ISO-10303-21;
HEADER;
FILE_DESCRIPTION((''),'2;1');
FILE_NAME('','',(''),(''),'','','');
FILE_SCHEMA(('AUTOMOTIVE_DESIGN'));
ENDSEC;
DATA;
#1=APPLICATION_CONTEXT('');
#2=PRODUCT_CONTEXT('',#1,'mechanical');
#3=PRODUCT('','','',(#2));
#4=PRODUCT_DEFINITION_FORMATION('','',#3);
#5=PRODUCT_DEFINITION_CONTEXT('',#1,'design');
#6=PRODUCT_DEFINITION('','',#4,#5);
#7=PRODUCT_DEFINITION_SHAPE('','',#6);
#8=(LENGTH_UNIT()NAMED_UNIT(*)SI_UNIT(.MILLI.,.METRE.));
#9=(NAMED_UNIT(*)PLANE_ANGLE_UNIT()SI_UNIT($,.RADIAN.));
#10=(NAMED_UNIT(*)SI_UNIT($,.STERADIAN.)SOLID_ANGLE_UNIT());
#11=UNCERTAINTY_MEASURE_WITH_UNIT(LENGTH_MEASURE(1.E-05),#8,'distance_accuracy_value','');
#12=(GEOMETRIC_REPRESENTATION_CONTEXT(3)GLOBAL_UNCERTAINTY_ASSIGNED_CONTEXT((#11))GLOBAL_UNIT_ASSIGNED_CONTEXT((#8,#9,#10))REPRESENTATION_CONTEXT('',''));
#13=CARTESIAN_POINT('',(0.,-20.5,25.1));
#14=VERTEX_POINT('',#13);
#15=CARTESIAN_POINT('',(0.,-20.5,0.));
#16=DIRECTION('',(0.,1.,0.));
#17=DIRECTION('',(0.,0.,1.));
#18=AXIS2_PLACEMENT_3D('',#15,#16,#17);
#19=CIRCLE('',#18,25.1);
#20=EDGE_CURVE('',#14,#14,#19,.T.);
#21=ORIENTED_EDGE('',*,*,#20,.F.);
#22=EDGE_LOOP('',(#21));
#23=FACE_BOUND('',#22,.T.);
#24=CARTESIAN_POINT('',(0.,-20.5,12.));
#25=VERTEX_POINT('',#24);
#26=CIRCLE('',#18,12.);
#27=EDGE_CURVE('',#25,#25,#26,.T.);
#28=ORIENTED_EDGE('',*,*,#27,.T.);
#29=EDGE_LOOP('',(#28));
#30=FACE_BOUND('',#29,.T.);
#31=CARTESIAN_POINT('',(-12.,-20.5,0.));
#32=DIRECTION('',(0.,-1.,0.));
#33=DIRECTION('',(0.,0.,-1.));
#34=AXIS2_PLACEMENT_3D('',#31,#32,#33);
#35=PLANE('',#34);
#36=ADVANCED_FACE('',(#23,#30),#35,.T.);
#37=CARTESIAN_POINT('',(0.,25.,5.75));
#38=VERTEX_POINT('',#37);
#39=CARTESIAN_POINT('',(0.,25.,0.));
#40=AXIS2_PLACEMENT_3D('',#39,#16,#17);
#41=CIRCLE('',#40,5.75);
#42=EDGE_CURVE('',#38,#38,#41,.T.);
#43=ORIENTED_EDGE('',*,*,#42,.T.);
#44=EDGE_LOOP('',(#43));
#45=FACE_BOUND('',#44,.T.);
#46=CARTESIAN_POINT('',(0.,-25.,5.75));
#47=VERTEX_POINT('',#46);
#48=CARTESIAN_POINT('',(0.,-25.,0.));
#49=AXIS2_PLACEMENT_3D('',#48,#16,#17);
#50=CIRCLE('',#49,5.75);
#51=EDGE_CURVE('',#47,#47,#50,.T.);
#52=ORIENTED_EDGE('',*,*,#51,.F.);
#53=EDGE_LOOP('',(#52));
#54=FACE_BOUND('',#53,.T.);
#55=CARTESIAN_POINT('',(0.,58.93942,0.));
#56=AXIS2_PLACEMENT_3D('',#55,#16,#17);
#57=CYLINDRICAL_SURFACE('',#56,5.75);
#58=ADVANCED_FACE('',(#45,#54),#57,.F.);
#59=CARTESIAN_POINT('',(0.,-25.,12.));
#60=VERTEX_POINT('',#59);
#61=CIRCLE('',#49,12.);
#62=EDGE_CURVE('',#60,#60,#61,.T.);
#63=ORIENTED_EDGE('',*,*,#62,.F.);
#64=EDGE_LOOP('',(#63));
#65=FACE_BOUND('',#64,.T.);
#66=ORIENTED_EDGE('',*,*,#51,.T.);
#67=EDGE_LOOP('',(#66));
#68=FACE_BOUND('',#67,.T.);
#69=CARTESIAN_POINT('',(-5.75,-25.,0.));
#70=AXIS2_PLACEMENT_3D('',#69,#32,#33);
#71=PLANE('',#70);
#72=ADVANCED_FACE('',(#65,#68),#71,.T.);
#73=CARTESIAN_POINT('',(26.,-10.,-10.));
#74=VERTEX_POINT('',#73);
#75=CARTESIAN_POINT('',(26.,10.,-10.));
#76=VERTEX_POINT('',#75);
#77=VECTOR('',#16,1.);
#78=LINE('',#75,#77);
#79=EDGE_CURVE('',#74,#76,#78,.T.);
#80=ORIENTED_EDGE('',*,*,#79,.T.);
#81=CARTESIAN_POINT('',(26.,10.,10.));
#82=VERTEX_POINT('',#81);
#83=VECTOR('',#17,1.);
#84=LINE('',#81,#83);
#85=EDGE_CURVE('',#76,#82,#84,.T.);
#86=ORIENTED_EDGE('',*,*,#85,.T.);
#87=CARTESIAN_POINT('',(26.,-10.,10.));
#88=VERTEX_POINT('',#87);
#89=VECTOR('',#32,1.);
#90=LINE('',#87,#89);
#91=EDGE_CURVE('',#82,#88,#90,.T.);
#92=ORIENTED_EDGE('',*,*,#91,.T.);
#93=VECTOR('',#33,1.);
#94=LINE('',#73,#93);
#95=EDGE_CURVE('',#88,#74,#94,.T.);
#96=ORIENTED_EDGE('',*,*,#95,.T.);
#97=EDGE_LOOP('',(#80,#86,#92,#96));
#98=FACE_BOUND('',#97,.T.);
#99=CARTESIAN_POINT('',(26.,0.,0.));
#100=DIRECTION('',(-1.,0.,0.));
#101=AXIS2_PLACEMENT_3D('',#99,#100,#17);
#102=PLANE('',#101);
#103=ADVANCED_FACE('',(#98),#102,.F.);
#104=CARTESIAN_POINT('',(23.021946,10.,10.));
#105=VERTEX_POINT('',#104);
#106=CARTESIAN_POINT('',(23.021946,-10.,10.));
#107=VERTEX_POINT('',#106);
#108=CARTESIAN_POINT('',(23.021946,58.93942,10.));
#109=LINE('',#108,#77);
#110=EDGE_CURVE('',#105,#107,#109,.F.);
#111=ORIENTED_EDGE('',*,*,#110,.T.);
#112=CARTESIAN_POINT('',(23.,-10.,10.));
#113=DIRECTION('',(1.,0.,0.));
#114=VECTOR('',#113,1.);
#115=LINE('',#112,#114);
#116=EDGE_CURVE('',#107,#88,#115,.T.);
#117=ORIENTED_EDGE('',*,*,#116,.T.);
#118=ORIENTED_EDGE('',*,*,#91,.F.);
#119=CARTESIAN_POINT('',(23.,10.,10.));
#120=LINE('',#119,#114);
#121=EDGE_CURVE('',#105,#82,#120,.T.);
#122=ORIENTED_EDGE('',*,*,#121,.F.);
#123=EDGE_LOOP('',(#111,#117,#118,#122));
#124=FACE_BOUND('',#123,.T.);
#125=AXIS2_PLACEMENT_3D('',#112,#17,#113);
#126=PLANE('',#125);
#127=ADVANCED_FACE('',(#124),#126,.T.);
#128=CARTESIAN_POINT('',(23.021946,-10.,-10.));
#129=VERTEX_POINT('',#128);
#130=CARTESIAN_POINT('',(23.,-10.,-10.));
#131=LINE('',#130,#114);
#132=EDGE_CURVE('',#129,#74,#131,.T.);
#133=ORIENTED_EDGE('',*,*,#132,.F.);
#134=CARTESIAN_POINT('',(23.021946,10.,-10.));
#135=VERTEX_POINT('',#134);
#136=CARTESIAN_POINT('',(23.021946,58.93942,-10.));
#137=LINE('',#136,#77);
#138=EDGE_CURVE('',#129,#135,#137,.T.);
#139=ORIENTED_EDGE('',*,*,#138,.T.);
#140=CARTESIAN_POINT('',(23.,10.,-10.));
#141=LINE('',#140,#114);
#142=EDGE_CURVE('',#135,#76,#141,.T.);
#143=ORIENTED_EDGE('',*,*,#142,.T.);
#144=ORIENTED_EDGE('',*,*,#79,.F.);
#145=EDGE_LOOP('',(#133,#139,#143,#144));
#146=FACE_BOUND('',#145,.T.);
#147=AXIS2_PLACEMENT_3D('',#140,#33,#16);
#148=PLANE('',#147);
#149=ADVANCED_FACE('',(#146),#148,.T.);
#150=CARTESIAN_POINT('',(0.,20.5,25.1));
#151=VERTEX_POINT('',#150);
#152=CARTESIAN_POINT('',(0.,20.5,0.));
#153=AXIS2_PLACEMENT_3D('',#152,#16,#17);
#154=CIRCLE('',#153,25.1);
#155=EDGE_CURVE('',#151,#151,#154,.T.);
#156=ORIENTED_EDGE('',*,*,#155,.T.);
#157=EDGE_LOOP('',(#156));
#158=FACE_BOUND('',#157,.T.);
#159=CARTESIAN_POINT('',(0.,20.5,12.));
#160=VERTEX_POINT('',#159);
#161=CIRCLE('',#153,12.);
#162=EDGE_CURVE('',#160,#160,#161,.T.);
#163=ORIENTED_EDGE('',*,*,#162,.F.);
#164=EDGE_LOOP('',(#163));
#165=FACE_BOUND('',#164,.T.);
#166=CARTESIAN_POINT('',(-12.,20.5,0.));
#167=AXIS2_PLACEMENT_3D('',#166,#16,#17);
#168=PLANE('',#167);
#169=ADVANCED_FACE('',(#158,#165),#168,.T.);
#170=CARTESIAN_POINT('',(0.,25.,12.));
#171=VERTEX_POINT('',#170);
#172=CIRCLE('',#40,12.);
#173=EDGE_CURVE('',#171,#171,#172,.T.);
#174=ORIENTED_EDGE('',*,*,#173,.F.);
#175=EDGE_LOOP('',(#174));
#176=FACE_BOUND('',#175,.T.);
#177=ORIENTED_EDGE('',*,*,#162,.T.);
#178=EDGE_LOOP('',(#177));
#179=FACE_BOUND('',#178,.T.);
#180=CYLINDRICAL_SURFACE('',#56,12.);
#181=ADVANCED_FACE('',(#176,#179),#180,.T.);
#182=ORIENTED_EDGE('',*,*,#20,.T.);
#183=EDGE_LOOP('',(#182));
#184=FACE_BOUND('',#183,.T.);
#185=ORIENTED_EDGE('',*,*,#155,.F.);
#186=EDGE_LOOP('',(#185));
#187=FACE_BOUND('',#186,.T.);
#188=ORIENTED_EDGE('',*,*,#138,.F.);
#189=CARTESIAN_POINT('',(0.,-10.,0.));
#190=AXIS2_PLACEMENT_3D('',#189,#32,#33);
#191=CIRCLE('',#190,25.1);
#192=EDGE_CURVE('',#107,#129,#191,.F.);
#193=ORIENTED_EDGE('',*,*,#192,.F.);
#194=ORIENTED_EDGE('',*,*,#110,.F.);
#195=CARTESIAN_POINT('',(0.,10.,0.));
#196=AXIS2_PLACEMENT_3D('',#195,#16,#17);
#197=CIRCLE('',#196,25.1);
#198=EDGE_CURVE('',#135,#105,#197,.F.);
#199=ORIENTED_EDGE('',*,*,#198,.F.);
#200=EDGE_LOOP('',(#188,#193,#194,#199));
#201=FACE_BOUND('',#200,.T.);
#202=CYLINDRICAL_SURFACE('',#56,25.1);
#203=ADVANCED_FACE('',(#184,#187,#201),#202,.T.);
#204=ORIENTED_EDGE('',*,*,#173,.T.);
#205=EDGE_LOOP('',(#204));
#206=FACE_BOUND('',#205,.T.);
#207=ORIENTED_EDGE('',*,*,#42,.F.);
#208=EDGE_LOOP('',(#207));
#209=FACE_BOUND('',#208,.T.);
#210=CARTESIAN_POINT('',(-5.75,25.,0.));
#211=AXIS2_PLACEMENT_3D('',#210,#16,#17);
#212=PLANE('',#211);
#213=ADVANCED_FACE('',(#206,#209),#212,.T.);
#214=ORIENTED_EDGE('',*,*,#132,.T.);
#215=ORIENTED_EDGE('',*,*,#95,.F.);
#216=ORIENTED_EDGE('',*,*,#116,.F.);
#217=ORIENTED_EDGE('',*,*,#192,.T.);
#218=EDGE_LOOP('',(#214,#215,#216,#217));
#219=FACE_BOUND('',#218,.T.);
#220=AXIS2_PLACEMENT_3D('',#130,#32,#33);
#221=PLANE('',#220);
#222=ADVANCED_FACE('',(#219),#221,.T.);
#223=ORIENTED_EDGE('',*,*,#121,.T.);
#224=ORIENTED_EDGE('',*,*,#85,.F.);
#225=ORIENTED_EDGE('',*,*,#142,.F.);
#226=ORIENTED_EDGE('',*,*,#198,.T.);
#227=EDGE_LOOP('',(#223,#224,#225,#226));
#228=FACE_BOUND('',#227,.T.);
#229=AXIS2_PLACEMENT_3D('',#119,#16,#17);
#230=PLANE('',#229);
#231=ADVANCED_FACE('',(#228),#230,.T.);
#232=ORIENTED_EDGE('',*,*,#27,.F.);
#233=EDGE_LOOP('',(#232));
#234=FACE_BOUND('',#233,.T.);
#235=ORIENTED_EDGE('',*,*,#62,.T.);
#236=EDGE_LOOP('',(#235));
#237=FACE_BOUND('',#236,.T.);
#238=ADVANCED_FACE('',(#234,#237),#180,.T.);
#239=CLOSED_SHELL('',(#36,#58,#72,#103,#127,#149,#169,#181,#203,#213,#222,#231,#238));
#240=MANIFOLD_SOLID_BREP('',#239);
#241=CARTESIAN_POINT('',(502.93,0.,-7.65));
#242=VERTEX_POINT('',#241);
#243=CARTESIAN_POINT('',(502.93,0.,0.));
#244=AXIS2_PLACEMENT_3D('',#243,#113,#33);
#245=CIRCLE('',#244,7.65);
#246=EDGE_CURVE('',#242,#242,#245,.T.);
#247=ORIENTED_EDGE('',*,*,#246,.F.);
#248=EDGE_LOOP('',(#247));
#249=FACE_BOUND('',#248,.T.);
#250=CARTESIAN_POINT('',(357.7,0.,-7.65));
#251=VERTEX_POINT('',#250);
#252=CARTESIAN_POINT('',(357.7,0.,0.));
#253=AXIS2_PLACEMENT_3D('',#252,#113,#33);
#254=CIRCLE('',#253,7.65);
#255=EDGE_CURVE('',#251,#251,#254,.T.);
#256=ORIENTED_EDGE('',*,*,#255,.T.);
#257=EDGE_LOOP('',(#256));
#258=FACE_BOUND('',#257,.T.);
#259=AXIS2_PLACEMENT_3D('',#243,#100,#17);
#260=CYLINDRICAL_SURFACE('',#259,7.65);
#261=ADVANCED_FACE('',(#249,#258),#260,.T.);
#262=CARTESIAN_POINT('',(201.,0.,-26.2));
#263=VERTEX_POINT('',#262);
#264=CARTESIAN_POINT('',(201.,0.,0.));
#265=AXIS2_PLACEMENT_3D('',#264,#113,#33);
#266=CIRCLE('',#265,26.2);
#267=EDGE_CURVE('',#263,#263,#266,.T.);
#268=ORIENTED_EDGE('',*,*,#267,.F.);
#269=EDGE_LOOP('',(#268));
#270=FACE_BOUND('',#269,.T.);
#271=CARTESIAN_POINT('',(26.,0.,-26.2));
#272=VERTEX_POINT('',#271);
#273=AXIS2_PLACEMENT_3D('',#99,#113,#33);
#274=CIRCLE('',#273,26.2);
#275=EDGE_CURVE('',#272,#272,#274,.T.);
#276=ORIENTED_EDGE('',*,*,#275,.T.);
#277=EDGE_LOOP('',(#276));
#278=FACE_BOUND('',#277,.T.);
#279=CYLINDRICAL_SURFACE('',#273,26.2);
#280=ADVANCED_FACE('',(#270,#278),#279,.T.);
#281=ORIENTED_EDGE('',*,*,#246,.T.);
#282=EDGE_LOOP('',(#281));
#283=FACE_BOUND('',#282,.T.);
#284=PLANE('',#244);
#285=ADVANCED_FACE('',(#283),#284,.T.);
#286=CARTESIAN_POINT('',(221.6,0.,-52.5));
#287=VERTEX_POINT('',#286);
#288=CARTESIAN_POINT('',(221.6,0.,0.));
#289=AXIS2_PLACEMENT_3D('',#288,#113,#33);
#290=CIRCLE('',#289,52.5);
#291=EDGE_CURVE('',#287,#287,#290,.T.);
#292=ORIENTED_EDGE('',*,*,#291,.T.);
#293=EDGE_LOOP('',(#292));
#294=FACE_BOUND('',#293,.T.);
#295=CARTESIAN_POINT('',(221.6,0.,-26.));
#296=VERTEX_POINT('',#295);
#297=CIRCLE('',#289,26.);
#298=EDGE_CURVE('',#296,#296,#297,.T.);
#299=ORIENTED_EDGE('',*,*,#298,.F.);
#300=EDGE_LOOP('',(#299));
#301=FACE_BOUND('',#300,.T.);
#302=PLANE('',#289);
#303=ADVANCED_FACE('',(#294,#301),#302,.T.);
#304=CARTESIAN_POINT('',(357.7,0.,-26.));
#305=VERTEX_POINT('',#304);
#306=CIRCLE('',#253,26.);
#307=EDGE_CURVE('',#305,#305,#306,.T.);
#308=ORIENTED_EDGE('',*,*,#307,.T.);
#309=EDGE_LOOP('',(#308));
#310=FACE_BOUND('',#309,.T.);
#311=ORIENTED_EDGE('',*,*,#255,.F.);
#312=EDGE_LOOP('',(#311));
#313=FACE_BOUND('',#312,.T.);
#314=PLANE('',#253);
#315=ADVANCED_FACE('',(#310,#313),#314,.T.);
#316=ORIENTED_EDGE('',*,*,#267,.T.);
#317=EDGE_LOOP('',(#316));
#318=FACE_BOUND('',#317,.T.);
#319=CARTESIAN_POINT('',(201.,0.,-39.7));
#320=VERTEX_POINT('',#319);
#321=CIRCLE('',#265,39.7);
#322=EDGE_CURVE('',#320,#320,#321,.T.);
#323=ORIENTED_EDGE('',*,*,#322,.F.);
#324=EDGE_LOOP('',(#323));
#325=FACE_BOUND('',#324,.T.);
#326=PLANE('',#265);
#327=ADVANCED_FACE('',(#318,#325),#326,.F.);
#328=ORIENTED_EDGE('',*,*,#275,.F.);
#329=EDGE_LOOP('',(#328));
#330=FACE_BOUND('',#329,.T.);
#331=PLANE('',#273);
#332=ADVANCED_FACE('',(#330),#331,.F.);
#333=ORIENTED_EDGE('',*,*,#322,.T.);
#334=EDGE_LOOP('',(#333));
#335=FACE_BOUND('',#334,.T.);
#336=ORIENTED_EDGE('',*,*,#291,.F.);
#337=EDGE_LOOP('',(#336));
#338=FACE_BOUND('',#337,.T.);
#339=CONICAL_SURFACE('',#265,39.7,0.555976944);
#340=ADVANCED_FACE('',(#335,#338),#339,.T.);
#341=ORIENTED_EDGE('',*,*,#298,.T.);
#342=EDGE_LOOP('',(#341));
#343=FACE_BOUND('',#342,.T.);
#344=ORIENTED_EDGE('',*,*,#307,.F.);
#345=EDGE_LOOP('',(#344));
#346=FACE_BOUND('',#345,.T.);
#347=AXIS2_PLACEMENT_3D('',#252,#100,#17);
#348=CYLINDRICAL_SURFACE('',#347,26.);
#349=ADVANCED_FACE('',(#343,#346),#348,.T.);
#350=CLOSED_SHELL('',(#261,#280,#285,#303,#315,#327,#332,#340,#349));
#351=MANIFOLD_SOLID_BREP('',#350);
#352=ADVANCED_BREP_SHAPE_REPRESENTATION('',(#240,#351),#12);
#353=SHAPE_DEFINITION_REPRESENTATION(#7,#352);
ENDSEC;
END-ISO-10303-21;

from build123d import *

# Parameters (mm, degrees)
SKETCH_2_R      = 26.2
EXTRUDE_1_DEPTH = 175
SKETCH_3_W      = 20
SKETCH_3_H      = 20
EXTRUDE_2_DEPTH = 3
SKETCH_4_R      = 39.7
SKETCH_5_R      = 52.5
SKETCH_6_R      = 26
EXTRUDE_3_DEPTH = 136.1
SKETCH_7_R      = 7.65
EXTRUDE_4_DEPTH = 145.23


with BuildPart() as part:
    # 草图1 → 旋转1 (revolve)
    with BuildSketch(Plane.XY):
        Polygon((-5.75, 25), (-12, 25), (-12, 20.5), (-25.1, 20.5), (-25.1, -20.5), (-12, -20.5), (-12, -25), (-5.75, -25), align=None)
    revolve(axis=Axis((0, 58.939420169, 0), (0, -1, 0)))

    # 草图3 → 凸台-拉伸2 (add)
    with BuildSketch(Plane(origin=(26, 0, 0), x_dir=(0, 0, -1), z_dir=(1, 0, 0))):
        Rectangle(SKETCH_3_W, SKETCH_3_H)
    extrude(amount=-EXTRUDE_2_DEPTH)


with BuildPart() as body_2:
    # 草图2 → 凸台-拉伸1 (new body)
    with BuildSketch(Plane(origin=(201, 0, 0), x_dir=(0, 0, -1), z_dir=(1, 0, 0))):
        Circle(SKETCH_2_R)
    extrude(amount=-EXTRUDE_1_DEPTH)

    # 草图4 → 放样2 section 0
    with BuildSketch(Plane(origin=(201, 0, 0), x_dir=(0, 0, -1), z_dir=(1, 0, 0))):
        Circle(SKETCH_4_R)
    # 草图5 → 放样2 section 1
    with BuildSketch(Plane(origin=(221.6, 0, 0), x_dir=(0, 0, -1), z_dir=(1, 0, 0))):
        Circle(SKETCH_5_R)
    loft()

    # 草图6 → 凸台-拉伸3 (add)
    with BuildSketch(Plane(origin=(221.6, 0, 0), x_dir=(0, 0, -1), z_dir=(1, 0, 0))):
        Circle(SKETCH_6_R)
    extrude(amount=EXTRUDE_3_DEPTH)

    # 草图7 → 凸台-拉伸4 (add)
    with BuildSketch(Plane(origin=(357.7, 0, 0), x_dir=(0, 0, -1), z_dir=(1, 0, 0))):
        Circle(SKETCH_7_R)
    extrude(amount=EXTRUDE_4_DEPTH)


solid = Compound([part.part, body_2.part])
